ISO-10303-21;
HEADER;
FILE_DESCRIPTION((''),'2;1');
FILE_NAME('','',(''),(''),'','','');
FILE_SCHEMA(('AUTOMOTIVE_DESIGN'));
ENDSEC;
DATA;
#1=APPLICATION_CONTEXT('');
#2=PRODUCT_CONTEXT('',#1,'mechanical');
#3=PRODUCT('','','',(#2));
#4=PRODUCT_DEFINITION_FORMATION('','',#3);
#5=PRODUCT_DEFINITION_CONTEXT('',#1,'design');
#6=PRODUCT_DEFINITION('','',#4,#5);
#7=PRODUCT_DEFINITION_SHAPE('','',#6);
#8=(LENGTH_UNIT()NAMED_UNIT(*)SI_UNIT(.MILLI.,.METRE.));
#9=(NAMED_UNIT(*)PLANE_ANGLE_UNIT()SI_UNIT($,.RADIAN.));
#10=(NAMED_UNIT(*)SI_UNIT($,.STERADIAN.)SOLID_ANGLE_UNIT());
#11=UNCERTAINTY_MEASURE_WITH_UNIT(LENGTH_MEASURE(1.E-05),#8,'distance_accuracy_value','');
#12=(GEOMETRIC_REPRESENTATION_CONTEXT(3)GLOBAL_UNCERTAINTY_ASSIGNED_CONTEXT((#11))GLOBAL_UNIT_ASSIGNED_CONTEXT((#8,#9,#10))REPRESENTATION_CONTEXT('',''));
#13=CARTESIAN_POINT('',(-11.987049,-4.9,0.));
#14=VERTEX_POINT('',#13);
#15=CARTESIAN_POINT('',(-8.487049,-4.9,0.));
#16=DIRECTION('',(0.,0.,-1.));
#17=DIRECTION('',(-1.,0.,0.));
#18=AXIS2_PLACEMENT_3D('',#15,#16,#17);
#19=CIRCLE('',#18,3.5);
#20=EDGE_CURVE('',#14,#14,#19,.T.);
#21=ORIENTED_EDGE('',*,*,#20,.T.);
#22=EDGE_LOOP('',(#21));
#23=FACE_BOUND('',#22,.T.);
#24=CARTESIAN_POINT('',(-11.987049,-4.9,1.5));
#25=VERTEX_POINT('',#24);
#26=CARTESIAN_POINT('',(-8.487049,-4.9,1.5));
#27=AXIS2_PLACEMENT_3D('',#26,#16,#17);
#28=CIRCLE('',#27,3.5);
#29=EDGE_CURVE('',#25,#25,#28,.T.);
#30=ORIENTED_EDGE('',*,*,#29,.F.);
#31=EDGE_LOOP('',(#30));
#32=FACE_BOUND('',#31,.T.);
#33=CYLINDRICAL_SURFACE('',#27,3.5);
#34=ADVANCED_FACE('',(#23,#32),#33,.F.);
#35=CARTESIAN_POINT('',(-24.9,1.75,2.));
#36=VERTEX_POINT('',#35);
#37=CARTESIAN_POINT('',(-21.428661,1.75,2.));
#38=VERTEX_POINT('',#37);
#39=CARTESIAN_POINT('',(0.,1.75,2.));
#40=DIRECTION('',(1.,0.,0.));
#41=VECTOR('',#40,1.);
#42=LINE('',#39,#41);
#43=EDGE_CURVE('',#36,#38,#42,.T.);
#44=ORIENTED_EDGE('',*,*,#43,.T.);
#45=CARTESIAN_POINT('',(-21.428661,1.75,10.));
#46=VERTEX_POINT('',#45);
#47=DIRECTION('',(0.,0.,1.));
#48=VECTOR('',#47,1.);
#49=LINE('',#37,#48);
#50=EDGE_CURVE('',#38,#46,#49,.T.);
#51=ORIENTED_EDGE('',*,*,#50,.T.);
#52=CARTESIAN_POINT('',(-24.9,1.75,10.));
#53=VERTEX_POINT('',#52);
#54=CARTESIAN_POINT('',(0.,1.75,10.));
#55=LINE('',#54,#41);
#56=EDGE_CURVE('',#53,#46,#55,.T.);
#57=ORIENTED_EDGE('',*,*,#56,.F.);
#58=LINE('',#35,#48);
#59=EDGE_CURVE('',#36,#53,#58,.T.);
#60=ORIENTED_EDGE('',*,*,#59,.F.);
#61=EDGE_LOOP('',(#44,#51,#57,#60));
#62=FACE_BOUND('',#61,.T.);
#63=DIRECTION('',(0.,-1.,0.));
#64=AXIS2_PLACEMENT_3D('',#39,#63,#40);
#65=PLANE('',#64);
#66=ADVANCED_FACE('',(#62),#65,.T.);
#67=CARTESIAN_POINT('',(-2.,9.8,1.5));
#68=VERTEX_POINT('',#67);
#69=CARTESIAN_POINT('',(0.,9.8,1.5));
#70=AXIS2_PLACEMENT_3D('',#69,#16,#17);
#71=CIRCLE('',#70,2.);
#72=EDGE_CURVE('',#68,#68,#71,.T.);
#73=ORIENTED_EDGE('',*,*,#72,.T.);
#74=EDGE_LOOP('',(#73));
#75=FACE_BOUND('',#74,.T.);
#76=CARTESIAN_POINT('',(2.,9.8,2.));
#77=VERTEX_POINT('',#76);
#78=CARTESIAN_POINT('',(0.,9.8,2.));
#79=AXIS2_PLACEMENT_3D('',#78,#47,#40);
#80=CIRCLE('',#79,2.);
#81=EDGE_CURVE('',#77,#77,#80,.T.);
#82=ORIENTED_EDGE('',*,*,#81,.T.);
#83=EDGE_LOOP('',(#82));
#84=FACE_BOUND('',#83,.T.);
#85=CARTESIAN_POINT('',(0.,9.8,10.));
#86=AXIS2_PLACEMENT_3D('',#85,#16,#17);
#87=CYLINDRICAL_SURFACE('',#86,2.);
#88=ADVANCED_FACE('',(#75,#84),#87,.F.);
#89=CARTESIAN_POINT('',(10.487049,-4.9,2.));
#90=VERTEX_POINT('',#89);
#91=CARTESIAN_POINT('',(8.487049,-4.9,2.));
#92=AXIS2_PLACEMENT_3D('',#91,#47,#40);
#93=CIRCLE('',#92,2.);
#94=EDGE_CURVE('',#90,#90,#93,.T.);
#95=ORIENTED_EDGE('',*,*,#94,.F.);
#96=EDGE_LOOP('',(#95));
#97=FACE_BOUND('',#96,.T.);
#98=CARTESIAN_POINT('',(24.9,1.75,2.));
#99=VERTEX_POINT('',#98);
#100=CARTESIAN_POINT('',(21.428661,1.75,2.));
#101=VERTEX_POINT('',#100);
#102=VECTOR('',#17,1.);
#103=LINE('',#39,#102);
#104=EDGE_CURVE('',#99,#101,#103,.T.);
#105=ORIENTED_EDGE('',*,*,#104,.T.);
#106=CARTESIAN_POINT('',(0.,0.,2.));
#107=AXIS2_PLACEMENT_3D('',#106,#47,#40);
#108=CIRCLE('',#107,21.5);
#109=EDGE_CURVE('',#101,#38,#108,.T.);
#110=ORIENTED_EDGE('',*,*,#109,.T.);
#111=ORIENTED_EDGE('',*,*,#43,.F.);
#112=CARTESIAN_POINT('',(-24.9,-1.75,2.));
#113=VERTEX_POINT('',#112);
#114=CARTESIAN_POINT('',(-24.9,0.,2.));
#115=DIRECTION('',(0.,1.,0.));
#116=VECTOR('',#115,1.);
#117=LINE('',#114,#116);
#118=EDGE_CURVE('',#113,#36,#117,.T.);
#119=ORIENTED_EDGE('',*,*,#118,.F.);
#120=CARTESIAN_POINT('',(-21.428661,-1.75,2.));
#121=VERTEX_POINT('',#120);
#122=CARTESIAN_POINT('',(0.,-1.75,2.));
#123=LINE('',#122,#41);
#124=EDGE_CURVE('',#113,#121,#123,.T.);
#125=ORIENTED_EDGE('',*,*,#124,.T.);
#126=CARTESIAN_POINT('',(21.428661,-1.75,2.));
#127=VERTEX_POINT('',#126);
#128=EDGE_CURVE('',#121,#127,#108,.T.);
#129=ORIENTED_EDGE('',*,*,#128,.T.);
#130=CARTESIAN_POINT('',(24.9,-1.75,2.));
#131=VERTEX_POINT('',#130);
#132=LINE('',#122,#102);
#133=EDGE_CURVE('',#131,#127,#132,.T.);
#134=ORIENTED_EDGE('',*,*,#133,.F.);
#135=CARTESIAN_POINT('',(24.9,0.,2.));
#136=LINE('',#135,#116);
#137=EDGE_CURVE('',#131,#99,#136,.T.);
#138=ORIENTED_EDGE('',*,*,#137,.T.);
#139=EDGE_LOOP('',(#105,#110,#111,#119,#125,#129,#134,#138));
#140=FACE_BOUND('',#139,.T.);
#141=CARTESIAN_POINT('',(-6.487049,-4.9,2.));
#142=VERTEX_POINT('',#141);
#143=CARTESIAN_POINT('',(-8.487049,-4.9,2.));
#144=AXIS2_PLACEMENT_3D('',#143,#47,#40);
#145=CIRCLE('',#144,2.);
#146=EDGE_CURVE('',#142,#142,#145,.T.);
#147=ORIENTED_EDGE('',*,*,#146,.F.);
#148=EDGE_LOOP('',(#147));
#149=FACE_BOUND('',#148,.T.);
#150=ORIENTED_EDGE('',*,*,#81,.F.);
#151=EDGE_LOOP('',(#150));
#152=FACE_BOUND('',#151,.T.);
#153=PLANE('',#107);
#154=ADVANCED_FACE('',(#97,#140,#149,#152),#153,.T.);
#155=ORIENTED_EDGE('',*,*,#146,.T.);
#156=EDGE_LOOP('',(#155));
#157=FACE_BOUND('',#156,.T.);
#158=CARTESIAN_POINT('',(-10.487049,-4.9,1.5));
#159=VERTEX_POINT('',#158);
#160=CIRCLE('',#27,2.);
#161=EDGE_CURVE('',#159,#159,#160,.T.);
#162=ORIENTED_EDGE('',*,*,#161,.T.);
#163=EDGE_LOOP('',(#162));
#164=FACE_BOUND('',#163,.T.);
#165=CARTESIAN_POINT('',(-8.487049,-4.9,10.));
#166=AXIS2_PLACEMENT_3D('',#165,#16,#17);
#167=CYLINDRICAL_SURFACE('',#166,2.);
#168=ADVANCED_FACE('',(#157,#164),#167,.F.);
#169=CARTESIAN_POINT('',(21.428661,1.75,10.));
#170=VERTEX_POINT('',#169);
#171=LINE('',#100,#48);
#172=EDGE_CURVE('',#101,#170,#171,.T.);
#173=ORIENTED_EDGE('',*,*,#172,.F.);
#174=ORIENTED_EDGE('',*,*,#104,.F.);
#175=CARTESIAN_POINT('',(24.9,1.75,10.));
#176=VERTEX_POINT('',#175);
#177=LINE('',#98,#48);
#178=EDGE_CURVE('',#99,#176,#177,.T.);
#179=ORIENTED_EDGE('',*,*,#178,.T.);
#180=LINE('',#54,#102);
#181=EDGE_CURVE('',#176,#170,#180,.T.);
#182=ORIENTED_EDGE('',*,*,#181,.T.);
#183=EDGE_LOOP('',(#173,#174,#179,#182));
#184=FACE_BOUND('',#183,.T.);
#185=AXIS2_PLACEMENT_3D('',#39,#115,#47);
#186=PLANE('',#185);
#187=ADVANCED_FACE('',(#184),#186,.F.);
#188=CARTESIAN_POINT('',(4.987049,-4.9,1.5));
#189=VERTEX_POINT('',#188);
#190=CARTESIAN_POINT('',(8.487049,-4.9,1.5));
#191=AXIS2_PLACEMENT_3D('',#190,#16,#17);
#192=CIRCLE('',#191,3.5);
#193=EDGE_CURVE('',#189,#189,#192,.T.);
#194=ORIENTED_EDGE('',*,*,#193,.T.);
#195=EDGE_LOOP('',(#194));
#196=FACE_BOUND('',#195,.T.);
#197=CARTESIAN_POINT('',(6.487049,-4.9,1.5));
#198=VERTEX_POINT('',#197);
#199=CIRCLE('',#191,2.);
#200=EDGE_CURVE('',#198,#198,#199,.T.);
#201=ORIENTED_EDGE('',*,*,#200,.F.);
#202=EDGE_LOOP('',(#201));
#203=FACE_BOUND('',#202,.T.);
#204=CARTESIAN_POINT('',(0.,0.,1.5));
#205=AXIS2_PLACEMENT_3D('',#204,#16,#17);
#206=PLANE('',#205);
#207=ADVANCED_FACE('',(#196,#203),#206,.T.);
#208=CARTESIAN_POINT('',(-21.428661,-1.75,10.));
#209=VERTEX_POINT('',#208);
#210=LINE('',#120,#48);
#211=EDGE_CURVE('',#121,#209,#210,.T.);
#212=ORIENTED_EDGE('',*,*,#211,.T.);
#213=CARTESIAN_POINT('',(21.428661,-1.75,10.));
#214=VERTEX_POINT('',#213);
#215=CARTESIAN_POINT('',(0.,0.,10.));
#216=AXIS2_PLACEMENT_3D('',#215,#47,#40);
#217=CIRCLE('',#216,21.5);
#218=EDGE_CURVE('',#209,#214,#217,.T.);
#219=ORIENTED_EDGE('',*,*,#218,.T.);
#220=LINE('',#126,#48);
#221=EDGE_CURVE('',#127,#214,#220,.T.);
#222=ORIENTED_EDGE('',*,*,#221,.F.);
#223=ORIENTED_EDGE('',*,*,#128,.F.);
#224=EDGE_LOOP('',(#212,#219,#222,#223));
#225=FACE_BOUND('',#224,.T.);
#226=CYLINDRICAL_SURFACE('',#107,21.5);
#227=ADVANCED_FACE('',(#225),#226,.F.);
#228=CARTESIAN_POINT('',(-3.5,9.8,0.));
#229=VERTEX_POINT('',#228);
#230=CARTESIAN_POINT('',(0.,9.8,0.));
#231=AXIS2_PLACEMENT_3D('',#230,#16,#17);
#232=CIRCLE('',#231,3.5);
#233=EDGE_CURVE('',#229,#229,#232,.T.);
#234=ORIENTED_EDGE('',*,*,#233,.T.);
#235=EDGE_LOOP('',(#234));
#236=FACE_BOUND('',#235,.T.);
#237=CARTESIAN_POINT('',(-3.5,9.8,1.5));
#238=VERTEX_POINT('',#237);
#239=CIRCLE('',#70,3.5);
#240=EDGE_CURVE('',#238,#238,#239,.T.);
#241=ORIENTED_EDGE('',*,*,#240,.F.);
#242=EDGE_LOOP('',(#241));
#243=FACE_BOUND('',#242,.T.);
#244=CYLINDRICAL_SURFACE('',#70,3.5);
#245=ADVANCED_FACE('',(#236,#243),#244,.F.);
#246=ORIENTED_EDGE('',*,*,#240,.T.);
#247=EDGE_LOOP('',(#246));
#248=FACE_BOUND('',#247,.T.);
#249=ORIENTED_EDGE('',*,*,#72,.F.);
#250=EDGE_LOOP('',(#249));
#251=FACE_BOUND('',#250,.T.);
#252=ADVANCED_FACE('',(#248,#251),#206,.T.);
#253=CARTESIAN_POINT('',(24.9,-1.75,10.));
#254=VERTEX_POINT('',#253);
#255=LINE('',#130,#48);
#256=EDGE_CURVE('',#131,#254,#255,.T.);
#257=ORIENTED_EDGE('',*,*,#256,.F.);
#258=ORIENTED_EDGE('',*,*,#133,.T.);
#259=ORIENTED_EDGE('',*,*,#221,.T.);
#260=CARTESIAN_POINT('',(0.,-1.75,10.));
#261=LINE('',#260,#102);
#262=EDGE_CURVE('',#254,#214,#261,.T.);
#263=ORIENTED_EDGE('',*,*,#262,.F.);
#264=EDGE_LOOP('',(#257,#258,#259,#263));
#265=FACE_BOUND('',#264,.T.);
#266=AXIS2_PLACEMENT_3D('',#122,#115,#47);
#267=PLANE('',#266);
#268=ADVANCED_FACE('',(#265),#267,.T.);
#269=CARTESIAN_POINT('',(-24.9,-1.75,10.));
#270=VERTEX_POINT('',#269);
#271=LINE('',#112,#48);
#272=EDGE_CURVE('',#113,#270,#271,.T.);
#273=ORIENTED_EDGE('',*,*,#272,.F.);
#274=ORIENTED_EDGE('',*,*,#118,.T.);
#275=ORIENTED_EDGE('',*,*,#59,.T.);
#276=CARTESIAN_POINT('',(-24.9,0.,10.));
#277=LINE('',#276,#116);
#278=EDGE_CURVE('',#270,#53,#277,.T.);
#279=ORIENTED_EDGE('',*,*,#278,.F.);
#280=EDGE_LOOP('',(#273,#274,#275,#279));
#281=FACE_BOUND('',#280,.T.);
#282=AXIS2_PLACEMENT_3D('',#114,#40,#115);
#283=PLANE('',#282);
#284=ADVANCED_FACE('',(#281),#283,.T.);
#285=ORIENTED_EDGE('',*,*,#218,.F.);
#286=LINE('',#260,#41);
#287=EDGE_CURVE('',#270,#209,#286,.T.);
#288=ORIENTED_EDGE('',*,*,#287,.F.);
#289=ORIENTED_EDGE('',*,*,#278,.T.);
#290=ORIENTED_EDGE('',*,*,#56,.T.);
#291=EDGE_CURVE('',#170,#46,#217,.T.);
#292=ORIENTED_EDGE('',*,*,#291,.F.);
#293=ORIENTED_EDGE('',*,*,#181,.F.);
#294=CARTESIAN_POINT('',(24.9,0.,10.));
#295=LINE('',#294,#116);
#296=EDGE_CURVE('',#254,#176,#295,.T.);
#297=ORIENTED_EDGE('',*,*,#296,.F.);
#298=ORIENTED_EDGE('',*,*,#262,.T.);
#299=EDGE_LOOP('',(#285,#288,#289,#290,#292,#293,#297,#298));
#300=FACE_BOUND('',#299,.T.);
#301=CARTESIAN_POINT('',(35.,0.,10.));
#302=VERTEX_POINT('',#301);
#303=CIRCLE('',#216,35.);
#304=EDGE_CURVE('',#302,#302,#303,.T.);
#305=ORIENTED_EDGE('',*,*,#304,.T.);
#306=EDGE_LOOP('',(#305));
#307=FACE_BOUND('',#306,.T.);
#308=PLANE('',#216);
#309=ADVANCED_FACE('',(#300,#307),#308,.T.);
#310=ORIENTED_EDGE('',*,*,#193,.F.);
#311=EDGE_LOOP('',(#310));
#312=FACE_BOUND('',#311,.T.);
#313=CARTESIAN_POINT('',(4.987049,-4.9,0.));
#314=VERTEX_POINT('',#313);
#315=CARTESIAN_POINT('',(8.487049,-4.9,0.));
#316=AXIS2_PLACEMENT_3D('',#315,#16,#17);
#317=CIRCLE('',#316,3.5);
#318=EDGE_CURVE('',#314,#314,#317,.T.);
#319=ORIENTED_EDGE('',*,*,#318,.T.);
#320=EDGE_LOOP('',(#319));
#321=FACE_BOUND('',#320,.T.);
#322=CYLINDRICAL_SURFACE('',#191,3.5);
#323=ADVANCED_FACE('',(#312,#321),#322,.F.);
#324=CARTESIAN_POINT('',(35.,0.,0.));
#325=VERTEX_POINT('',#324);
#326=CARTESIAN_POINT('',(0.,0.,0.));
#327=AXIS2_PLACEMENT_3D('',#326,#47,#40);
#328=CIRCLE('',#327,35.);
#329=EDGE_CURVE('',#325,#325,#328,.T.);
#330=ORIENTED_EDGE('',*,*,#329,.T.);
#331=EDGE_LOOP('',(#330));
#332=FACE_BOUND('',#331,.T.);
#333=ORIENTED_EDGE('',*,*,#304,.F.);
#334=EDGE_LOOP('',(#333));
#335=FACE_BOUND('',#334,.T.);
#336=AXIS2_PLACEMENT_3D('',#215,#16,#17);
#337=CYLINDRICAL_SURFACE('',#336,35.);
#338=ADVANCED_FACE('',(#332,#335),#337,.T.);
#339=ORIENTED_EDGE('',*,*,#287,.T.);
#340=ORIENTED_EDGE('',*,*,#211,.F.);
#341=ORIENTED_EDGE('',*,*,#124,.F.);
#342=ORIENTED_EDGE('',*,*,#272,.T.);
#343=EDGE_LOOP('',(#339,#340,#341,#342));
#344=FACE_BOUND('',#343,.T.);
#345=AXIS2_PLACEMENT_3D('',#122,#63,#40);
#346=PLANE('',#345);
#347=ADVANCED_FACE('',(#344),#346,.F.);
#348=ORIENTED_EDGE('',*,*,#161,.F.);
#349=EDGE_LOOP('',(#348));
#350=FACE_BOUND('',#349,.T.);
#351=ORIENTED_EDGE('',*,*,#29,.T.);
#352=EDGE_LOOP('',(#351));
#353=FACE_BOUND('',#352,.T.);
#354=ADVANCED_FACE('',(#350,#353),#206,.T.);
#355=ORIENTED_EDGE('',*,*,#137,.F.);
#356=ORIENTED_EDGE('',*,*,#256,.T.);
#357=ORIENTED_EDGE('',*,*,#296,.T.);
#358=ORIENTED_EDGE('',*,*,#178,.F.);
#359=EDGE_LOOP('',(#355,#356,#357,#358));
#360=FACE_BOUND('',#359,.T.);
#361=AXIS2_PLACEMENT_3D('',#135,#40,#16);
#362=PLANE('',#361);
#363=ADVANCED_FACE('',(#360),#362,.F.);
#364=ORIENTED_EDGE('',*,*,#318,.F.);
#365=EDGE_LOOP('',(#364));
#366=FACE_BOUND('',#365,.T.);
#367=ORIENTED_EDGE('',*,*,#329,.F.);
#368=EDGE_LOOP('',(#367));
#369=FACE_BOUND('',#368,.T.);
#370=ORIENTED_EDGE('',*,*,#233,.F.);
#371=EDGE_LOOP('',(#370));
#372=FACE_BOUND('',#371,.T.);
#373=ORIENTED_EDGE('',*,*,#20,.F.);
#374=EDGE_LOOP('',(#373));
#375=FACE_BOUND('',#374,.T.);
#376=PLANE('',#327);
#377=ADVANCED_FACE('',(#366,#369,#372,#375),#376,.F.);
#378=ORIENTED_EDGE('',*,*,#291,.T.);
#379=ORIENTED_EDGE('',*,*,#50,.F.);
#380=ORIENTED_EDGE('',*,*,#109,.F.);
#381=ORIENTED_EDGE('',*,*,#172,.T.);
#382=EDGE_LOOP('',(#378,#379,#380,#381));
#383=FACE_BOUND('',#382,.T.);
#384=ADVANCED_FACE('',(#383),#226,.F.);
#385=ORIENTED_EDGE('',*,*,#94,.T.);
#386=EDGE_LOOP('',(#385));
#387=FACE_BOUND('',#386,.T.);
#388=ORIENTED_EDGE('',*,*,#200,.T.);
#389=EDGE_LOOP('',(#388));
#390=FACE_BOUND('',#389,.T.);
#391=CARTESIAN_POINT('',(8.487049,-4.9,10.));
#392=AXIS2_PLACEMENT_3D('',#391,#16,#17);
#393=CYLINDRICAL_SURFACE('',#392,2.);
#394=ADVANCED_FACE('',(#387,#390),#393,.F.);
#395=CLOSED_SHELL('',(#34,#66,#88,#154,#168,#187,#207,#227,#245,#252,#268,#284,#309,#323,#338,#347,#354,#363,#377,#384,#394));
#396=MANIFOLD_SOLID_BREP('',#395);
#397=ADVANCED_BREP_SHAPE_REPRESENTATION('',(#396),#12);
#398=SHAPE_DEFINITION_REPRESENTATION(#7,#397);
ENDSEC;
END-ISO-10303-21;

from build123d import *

# Parameters (mm, degrees)
SKETCH_1_R          = 35
EXTRUDE_1_DEPTH     = 10
CUT_EXTRUDE_1_DEPTH = 8
SKETCH_4_R          = 3.5
CUT_EXTRUDE_2_DEPTH = 1.5
SKETCH_6_R          = 2
CUT_EXTRUDE_3_DEPTH = 51.222007128


with BuildPart() as part:
    # 草图1 → 凸台-拉伸1 (new body)
    with BuildSketch(Plane.XY):
        Circle(SKETCH_1_R)
    extrude(amount=EXTRUDE_1_DEPTH)

    # 草图2 → 切除-拉伸1 (cut)
    with BuildSketch(Plane.XY.offset(10)):
        with BuildLine():
            ThreePointArc((21.428660714, 1.75), (0, 21.5), (-21.428660714, 1.75))
            Line((-21.428660714, 1.75), (-24.9, 1.75))
            Line((-24.9, 1.75), (-24.9, -1.75))
            Line((-24.9, -1.75), (-21.428660714, -1.75))
            ThreePointArc((-21.428660714, -1.75), (0, -21.5), (21.428660714, -1.75))
            Line((21.428660714, -1.75), (24.9, -1.75))
            Line((24.9, -1.75), (24.9, 1.75))
            Line((24.9, 1.75), (21.428660714, 1.75))
        make_face()
    extrude(amount=-CUT_EXTRUDE_1_DEPTH, mode=Mode.SUBTRACT)

    # 草图4 → 切除-拉伸2 (cut)
    with BuildSketch(Plane(origin=(0, 0, 0), x_dir=(-1, 0, 0), z_dir=(0, 0, -1))):
        with Locations((8.487048957, -4.9)):
            Circle(SKETCH_4_R)
        with Locations((-8.487048957, -4.9)):
            Circle(SKETCH_4_R)
        with Locations((0, 9.8)):
            Circle(SKETCH_4_R)
    extrude(amount=-CUT_EXTRUDE_2_DEPTH, mode=Mode.SUBTRACT)

    # 草图6 → 切除-拉伸3 (cut, through all)
    with BuildSketch(Plane(origin=(0, 0, 1.5), x_dir=(-1, 0, 0), z_dir=(0, 0, -1))):
        with Locations((0, 9.8)):
            Circle(SKETCH_6_R)
        with Locations((8.487048957, -4.9)):
            Circle(SKETCH_6_R)
        with Locations((-8.487048957, -4.9)):
            Circle(SKETCH_6_R)
    extrude(amount=-CUT_EXTRUDE_3_DEPTH, mode=Mode.SUBTRACT)


solid = part.part
